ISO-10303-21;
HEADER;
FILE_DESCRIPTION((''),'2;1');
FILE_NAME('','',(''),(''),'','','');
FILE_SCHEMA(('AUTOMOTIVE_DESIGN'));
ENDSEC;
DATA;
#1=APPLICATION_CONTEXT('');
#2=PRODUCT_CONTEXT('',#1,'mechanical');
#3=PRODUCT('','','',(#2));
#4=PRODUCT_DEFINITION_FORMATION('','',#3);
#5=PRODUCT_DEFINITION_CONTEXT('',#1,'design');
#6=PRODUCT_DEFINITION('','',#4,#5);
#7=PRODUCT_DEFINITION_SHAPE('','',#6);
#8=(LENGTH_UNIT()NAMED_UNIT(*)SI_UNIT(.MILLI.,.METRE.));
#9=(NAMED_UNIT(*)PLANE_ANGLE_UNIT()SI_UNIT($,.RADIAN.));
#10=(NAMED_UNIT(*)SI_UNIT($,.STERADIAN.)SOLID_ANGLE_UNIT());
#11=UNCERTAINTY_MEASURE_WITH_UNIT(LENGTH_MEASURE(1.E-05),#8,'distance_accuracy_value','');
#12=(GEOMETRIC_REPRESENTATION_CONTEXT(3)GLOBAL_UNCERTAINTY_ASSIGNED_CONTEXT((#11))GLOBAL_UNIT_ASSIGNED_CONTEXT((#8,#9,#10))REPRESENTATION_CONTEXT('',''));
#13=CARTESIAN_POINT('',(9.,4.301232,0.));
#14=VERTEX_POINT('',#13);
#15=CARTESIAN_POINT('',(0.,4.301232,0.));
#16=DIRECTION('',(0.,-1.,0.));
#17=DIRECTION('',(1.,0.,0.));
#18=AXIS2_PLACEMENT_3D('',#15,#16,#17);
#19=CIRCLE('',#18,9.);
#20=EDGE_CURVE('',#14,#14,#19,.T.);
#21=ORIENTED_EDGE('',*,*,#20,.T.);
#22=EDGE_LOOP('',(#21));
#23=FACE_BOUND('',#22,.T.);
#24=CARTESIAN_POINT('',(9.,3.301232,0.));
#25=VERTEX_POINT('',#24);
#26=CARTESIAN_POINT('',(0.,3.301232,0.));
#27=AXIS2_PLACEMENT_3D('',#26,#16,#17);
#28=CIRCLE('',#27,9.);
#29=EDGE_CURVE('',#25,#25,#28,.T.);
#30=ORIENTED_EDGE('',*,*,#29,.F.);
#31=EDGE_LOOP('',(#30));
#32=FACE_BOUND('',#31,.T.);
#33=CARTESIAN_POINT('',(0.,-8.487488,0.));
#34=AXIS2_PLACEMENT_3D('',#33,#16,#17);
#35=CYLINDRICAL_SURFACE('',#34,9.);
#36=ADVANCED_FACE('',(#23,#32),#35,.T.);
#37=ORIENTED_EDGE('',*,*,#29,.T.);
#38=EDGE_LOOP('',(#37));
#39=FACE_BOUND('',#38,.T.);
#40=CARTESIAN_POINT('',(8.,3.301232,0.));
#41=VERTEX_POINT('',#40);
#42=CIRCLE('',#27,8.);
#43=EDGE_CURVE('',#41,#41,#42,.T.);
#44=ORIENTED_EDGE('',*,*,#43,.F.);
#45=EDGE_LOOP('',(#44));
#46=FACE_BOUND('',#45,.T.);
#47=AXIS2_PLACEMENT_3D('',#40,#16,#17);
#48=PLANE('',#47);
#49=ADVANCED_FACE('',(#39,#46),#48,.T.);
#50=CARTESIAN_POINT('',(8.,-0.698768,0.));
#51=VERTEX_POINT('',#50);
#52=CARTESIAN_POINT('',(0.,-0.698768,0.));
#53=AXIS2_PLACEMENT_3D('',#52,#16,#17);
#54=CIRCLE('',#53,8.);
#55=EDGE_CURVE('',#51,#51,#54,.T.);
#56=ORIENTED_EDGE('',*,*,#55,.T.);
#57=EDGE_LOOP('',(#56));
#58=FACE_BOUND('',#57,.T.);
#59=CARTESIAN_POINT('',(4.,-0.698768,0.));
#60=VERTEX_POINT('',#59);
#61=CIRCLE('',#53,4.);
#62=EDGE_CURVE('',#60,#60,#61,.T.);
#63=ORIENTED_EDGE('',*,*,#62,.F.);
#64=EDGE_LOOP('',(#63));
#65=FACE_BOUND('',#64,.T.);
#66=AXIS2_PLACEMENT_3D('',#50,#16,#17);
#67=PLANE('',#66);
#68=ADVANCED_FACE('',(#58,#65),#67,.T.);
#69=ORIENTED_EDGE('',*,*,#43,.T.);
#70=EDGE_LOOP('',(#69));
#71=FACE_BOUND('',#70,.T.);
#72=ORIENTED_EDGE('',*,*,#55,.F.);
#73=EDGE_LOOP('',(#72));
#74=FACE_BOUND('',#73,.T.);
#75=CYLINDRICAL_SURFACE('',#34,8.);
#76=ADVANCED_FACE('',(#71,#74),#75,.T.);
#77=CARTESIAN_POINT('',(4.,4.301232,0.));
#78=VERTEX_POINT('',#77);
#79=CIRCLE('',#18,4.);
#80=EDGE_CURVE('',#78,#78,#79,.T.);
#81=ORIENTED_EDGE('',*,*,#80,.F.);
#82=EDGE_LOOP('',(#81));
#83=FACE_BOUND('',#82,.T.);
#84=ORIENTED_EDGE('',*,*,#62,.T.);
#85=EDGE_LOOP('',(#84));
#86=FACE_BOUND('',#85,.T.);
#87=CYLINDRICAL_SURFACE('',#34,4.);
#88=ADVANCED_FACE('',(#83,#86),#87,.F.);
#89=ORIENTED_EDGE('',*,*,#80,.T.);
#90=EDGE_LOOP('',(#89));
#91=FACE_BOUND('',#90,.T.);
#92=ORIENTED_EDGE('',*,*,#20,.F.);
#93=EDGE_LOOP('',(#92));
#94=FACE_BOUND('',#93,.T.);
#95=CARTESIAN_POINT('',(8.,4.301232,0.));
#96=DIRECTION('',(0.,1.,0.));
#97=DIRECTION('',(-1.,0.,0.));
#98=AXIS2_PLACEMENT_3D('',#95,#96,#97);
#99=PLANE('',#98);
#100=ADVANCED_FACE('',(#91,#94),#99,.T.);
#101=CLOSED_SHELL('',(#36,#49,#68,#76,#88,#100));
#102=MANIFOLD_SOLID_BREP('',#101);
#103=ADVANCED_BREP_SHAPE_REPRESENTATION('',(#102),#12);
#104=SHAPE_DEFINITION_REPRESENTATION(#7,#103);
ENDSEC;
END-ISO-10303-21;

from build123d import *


with BuildPart() as part:
    # Sketch1 → Revolve1 (revolve)
    with BuildSketch(Plane.XY):
        Polygon((8, -0.69876818), (4, -0.69876818), (4, 4.30123182), (8, 4.30123182), (9, 4.30123182), (9, 3.30123182), (8, 3.30123182), align=None)
    revolve(axis=Axis((0, -8.487488151, 0), (0, 1, 0)))


solid = part.part
